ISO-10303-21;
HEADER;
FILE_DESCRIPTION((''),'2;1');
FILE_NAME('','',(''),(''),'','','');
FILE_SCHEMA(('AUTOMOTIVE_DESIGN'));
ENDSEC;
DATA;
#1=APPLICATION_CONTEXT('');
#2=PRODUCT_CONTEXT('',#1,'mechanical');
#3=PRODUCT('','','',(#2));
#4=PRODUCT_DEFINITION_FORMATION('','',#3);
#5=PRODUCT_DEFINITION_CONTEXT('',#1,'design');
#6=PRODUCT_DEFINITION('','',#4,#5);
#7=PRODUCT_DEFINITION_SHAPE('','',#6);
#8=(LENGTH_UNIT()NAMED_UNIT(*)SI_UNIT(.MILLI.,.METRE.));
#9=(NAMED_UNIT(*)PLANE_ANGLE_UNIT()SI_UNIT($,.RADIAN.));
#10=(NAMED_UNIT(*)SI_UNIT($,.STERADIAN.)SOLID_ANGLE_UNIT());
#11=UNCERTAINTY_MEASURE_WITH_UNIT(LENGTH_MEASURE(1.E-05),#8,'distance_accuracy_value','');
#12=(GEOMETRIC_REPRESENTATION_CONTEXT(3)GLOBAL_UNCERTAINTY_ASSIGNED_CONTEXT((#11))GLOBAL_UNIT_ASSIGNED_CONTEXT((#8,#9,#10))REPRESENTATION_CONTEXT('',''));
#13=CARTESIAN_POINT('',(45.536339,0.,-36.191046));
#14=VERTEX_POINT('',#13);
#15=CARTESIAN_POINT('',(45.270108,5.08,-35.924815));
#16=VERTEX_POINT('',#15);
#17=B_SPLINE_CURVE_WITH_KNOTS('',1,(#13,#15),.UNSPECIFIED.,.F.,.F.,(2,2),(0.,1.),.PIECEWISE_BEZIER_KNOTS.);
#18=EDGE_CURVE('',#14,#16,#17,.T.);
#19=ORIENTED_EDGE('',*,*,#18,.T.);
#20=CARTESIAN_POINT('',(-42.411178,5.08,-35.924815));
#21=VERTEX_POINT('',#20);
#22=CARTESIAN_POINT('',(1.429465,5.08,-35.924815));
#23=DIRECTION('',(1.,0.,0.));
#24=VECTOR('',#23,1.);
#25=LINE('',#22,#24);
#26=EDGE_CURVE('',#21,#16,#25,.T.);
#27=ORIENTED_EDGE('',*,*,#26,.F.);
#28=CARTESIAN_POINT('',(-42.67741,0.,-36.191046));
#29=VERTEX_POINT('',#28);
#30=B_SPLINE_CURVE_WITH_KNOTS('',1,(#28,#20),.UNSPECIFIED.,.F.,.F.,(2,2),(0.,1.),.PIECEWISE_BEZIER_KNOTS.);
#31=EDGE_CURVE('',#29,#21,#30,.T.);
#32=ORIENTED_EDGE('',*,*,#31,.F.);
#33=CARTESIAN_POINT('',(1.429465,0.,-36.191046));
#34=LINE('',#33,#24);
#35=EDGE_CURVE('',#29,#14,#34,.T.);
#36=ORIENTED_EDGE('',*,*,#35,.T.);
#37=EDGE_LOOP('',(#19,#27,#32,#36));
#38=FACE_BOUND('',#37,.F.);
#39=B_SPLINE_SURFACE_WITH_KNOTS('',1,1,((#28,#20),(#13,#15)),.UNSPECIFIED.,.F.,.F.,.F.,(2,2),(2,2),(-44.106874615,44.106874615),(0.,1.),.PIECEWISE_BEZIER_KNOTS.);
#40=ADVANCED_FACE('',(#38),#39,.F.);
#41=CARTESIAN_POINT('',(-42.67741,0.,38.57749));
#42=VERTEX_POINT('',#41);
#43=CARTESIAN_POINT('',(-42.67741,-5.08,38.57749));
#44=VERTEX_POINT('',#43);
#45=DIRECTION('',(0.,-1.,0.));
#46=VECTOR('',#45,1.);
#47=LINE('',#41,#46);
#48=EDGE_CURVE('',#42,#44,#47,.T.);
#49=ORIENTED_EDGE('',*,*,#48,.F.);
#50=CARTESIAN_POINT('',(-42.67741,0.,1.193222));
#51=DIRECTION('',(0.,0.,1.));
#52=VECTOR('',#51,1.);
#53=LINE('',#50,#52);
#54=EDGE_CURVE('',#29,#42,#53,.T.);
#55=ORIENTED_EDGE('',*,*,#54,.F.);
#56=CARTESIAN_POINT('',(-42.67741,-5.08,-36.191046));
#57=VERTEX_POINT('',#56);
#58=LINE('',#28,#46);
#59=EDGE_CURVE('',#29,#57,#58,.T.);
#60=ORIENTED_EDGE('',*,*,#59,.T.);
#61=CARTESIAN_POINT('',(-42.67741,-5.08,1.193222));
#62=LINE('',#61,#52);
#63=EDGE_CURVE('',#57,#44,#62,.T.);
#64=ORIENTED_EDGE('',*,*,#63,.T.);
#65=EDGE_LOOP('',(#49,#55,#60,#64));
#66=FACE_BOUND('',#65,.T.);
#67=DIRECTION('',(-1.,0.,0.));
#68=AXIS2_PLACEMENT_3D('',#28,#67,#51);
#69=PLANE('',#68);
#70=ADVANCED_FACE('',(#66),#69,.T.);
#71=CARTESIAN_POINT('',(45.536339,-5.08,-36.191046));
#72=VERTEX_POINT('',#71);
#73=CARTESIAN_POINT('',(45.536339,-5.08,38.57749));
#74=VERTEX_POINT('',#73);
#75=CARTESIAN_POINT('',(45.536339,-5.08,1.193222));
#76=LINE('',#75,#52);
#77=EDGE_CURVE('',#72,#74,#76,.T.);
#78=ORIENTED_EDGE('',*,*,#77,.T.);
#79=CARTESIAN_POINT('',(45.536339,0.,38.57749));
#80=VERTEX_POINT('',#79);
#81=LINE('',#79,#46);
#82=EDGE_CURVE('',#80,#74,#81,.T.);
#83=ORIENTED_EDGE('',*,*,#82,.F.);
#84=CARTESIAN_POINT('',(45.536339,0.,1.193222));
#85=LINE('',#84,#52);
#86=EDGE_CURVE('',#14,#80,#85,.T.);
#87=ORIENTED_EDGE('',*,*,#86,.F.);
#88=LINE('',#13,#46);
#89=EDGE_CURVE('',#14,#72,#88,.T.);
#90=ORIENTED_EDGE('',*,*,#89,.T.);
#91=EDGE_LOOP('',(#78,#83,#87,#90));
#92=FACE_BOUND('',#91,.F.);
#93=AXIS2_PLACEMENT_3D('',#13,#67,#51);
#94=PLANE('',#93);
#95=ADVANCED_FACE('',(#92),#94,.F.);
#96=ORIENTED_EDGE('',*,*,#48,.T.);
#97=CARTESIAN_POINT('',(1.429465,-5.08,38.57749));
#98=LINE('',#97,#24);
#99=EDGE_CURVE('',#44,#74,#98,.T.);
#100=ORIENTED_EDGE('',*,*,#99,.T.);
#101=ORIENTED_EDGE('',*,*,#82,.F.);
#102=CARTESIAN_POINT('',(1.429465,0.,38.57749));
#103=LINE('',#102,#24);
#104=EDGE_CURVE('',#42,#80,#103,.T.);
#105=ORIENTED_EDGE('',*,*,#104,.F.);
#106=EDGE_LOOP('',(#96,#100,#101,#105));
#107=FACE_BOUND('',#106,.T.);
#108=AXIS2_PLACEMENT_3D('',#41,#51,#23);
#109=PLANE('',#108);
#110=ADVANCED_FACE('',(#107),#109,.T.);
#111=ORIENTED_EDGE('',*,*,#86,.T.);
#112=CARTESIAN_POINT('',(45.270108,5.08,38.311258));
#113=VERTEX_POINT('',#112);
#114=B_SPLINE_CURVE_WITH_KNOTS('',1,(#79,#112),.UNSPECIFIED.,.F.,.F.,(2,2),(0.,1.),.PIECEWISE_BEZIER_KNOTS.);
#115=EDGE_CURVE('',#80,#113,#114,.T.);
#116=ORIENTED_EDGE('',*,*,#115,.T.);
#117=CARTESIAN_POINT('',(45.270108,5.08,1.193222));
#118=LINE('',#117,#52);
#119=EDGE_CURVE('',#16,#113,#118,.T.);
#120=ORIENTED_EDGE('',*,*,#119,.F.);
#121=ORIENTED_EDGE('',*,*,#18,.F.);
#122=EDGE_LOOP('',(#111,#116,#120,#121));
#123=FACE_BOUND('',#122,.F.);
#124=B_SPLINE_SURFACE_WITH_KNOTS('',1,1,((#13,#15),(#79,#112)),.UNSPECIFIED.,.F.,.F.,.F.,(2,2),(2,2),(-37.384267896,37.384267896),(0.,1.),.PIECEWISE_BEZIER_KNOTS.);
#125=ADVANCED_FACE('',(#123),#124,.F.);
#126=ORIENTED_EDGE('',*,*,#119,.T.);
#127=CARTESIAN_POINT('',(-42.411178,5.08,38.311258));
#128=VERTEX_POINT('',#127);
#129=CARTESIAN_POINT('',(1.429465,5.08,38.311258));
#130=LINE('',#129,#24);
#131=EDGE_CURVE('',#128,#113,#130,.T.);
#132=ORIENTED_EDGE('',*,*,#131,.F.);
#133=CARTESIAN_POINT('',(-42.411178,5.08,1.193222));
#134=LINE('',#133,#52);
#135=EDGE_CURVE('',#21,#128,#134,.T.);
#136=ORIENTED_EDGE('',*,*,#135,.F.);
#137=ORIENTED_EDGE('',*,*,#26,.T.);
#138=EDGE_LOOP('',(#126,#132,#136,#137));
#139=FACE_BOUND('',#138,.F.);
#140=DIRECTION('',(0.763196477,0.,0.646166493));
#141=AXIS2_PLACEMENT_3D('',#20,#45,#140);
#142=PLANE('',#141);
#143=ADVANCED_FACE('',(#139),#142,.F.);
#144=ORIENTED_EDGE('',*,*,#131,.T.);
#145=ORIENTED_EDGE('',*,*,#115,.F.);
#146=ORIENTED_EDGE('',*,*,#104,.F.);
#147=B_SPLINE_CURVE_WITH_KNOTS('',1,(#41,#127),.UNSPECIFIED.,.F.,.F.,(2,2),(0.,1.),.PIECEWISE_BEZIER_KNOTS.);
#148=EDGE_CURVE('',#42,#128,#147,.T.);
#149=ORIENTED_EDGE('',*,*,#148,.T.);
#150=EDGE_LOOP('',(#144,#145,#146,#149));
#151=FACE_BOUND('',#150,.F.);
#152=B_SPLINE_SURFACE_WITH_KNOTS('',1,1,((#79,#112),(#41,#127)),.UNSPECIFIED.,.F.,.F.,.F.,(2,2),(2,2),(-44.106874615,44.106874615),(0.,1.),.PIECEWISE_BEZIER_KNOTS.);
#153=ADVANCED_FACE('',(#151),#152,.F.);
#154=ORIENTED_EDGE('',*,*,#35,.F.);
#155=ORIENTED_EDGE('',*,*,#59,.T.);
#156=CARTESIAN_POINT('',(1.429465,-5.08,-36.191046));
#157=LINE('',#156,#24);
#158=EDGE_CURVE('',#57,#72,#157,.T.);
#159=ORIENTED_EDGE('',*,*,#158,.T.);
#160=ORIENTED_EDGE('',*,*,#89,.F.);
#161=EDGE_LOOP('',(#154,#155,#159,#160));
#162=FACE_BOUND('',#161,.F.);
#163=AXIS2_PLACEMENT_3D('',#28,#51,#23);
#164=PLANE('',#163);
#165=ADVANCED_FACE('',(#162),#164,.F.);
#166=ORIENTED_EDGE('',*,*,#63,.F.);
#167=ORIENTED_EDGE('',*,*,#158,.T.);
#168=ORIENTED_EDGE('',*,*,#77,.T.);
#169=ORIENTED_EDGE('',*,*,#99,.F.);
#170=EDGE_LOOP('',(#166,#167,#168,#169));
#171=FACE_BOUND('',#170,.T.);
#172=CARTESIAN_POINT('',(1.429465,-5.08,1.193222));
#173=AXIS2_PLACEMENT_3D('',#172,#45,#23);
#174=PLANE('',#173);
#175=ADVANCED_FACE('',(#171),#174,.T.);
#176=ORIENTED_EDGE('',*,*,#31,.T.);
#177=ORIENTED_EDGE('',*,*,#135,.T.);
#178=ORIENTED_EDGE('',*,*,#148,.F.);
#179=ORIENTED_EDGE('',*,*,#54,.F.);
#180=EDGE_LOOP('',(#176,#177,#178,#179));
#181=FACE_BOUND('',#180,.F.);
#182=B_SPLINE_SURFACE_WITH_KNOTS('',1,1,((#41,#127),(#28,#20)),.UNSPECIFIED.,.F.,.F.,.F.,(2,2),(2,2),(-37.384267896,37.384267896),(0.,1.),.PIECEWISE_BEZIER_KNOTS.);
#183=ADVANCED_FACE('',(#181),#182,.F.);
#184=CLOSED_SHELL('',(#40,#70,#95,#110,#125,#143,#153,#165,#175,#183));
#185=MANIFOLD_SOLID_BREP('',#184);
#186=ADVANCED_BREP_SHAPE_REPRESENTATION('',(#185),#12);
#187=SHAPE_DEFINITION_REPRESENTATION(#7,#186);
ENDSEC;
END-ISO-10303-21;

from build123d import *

# Parameters (mm, degrees)
F0_W          = 88.2137492299
F0_H          = 74.7685357928
F1_DEPTH      = 5.08
F1_DEPTH_BACK = 5.08
F1_TAPER_BACK = 3


with BuildPart() as f1:
    # F0 (on Front) → F1 (new body, two sides)
    with BuildSketch(Plane.XZ) as f1_sk:
        with Locations((1.429464668, 1.1932216585)):
            Rectangle(F0_W, F0_H)
    extrude(amount=F1_DEPTH)
    extrude(f1_sk.sketch, amount=-F1_DEPTH_BACK, taper=F1_TAPER_BACK)


solid = f1.part
